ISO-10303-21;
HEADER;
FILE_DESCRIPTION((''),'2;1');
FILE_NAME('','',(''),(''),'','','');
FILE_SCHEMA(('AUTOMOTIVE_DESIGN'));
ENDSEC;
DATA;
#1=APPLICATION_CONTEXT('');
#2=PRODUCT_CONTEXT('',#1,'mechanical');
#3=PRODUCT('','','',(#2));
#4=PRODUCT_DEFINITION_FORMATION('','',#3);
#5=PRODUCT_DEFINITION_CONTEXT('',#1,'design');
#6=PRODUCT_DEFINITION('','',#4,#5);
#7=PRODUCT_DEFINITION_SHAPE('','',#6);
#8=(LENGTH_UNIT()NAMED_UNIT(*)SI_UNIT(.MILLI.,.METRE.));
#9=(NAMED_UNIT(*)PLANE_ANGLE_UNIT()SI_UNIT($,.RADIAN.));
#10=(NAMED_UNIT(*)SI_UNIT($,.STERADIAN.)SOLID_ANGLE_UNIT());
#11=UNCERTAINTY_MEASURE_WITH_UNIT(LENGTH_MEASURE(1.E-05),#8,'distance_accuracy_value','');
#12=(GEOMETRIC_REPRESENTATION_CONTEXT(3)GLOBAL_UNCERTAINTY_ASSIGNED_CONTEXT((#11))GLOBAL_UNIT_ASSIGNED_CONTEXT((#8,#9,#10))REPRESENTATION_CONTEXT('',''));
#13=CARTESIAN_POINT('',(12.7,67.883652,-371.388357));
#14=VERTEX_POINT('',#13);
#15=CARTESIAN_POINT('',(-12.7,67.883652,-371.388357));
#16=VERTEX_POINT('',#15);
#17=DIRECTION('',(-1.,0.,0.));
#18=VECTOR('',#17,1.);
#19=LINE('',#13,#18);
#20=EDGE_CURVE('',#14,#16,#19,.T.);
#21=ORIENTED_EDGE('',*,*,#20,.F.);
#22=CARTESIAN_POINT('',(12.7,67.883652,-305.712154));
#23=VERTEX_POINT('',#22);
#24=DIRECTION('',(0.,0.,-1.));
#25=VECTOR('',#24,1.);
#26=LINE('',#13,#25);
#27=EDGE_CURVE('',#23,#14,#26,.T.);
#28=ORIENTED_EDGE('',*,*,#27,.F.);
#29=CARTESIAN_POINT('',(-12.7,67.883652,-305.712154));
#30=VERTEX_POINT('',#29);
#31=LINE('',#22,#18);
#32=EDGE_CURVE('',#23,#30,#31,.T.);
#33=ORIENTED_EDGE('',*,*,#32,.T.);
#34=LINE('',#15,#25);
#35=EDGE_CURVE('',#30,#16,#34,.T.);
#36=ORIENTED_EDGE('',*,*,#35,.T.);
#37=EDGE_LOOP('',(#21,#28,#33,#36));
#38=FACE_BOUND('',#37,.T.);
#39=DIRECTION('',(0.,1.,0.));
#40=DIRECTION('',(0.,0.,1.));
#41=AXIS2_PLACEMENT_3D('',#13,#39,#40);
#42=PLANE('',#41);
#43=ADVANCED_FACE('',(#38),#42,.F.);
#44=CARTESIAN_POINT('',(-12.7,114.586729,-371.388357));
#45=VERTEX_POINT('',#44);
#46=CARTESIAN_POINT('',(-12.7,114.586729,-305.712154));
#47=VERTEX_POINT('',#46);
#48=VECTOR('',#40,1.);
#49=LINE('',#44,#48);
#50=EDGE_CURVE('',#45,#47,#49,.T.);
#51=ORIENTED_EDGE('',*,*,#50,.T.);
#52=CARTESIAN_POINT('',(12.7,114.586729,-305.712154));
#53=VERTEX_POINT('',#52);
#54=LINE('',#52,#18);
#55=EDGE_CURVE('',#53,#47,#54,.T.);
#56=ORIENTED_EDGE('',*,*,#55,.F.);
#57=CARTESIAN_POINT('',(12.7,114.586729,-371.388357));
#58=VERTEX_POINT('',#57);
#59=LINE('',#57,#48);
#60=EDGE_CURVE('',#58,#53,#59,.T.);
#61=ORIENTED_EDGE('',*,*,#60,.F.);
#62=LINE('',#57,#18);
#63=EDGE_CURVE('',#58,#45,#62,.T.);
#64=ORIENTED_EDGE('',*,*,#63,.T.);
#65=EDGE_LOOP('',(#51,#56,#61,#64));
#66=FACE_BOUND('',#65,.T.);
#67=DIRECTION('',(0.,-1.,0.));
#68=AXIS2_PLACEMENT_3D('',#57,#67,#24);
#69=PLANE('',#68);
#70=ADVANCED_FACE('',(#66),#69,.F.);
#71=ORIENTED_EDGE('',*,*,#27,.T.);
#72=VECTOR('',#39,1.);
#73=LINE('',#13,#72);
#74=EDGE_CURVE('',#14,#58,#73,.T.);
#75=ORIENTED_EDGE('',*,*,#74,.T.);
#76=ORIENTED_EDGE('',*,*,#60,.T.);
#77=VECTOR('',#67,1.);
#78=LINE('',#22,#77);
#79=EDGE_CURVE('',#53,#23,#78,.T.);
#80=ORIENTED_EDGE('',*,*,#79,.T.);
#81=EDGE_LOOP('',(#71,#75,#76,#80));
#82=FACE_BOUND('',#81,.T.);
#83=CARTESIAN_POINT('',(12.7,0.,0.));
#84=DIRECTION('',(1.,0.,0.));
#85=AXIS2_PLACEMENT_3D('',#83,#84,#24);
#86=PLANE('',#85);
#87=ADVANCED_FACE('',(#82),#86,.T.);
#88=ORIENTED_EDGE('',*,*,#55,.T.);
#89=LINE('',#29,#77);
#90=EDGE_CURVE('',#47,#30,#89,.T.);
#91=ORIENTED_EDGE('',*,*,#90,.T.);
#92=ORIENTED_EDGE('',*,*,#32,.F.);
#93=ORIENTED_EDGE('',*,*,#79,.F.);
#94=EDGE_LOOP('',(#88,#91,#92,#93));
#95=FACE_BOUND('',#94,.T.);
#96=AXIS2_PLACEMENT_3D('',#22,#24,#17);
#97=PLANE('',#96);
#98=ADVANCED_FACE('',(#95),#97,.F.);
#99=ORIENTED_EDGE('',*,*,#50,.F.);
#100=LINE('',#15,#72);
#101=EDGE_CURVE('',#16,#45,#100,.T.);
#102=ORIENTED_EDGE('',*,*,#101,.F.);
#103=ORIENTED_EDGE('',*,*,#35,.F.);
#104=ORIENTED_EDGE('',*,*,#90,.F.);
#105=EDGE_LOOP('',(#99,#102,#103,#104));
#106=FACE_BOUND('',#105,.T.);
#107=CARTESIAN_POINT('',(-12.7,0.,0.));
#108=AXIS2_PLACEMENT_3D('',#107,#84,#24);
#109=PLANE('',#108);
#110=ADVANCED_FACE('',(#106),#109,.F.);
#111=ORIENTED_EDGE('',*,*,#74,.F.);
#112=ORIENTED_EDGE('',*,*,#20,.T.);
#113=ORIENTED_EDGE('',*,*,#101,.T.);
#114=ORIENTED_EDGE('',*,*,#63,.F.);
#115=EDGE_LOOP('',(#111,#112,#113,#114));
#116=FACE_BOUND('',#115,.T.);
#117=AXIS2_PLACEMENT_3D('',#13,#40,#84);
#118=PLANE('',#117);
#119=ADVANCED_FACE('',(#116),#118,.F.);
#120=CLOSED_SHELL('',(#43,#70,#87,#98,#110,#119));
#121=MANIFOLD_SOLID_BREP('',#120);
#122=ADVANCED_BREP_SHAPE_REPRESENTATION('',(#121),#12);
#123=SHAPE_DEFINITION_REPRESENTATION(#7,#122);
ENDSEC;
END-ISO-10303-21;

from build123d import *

# Parameters (mm, degrees)
SKETCH2_W           = 65.676202638
SKETCH2_H           = 46.703077432
BOSS_EXTRUDE1_DEPTH = 12.7


with BuildPart() as part:
    # Sketch2 → Boss-Extrude1 (new, symmetric)
    with BuildSketch(Plane(origin=(0, 0, 0), x_dir=(0, 0, -1), z_dir=(1, 0, 0))):
        with Locations((338.550255643, 91.235190265)):
            Rectangle(SKETCH2_W, SKETCH2_H)
    extrude(amount=BOSS_EXTRUDE1_DEPTH, both=True)


solid = part.part
